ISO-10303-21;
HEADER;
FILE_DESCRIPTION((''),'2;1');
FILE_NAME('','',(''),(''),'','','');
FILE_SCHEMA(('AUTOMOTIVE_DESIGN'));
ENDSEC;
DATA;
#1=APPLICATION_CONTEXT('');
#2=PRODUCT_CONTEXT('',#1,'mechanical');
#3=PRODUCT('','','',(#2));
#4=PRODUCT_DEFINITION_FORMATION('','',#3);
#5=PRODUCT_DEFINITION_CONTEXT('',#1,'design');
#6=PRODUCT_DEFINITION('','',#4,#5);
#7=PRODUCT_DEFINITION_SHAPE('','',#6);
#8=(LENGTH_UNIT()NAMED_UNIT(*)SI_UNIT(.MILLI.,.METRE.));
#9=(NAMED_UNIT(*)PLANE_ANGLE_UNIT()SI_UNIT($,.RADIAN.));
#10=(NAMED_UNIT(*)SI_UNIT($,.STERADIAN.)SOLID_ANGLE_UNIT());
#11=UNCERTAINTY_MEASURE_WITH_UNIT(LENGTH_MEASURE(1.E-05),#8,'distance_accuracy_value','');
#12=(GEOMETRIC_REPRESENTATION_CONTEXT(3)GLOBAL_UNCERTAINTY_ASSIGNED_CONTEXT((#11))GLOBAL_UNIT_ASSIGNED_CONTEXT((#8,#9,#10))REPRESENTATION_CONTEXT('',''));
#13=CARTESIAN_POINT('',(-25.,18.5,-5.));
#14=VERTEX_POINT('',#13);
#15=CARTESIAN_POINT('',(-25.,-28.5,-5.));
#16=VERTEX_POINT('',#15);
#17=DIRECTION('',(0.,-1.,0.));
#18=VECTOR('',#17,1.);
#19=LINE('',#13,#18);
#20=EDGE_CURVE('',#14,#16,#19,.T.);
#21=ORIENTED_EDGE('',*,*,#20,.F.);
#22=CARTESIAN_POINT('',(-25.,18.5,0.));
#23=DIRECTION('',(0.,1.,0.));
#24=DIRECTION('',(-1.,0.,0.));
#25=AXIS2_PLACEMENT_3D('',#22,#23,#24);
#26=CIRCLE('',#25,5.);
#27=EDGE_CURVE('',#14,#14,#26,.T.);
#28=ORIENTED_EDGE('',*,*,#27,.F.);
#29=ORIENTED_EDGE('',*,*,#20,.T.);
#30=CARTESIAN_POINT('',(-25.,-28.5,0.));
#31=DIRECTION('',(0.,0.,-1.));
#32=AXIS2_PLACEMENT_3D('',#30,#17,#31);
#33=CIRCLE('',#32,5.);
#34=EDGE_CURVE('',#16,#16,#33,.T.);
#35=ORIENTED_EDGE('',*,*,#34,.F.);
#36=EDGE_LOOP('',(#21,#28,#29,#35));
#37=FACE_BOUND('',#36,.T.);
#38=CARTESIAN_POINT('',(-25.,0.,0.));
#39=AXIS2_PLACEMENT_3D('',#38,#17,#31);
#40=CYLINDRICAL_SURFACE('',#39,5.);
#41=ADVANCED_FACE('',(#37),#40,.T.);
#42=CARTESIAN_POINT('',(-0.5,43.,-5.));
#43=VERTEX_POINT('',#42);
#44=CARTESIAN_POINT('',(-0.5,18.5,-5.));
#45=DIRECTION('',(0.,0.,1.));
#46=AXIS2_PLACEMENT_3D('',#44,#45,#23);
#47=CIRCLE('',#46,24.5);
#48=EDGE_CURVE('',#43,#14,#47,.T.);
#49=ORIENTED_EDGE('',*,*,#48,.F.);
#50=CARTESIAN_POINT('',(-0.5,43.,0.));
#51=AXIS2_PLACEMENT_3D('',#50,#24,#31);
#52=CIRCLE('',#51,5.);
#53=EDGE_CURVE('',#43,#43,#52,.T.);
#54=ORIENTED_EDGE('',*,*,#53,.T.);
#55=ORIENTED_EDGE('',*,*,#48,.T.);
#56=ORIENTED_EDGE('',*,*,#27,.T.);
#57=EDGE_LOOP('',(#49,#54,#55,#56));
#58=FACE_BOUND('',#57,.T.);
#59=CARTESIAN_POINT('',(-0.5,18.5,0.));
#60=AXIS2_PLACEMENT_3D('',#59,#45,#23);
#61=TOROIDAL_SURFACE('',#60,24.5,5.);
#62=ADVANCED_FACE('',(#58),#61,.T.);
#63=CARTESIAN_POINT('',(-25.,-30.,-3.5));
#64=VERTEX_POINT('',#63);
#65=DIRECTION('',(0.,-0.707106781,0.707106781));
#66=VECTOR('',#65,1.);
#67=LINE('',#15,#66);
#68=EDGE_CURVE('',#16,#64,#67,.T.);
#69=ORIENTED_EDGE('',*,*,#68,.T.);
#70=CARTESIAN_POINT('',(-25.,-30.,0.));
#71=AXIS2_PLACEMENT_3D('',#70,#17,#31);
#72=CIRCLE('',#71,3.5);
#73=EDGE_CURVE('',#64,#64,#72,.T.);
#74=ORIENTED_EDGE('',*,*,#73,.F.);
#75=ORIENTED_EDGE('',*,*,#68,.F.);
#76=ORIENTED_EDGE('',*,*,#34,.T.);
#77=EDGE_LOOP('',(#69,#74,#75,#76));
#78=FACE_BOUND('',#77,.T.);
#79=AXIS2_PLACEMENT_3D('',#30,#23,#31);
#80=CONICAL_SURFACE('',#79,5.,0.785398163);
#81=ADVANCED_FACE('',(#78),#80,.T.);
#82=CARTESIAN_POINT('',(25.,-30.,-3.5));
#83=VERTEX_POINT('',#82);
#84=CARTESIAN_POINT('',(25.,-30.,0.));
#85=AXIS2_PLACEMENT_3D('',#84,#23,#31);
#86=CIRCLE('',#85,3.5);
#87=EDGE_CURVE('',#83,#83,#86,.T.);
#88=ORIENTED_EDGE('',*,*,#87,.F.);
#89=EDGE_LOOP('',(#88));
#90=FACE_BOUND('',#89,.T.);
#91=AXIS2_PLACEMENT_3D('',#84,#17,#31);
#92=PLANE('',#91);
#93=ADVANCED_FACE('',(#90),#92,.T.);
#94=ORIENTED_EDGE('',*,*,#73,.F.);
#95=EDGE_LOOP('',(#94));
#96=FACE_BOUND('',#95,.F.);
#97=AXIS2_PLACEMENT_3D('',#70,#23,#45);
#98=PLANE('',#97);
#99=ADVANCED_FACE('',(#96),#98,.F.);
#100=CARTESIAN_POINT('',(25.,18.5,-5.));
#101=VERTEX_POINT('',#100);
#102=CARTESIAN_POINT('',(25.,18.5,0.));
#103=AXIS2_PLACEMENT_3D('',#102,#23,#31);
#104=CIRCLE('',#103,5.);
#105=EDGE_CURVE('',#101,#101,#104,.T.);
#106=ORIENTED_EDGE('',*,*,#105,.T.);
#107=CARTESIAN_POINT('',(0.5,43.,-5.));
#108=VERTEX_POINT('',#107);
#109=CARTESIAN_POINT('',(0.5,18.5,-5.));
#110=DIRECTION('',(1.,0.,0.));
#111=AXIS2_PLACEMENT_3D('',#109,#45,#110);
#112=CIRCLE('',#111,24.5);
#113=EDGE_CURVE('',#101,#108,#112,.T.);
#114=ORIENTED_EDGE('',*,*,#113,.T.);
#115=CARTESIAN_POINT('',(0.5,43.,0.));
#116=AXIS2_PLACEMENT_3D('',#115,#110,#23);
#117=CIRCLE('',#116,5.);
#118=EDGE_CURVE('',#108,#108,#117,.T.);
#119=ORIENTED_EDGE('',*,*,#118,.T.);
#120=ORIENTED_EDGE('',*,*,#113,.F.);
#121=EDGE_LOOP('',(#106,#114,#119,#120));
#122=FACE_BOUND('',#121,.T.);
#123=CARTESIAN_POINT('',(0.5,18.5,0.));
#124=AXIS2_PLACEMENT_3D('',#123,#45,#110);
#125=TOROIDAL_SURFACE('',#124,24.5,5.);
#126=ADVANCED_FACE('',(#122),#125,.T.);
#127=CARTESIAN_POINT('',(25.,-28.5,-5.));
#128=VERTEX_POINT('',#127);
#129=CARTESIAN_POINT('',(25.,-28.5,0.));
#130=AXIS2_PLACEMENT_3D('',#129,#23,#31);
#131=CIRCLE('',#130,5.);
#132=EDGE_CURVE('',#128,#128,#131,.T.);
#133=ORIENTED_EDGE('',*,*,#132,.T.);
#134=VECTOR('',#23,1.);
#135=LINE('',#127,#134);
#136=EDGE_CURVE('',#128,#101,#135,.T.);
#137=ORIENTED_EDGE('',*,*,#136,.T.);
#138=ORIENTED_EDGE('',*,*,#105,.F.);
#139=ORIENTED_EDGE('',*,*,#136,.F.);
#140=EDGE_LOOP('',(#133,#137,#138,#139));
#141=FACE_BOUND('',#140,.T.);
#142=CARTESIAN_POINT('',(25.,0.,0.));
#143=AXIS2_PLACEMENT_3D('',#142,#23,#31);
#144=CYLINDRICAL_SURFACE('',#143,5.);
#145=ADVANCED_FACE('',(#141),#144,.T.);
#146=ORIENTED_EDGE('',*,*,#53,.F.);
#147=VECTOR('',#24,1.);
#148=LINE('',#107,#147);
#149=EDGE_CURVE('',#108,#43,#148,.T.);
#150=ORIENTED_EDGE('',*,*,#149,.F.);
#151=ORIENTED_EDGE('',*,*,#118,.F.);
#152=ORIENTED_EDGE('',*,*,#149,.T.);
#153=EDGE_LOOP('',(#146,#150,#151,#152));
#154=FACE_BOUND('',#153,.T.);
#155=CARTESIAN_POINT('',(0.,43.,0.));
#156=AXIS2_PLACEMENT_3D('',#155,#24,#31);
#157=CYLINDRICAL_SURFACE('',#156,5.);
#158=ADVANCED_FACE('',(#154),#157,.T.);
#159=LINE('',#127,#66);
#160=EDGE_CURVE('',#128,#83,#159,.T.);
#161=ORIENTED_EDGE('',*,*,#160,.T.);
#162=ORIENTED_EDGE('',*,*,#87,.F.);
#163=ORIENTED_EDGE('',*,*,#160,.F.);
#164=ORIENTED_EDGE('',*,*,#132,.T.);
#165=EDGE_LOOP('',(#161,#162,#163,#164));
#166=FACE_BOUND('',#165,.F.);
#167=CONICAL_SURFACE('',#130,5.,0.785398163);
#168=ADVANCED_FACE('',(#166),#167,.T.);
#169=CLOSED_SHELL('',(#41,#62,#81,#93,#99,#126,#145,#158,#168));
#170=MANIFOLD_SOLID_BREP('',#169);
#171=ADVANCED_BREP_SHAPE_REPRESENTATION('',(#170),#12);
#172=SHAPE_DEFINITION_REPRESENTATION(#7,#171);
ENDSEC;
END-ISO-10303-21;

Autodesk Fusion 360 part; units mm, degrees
sketch "Sketch1" plane through (0, 0, 0) normal (0, 0, 1) x (1, 0, 0)
  line L0 (0, 0) -> (60, 0) construction
  line L1 (0, 0) -> (-60, 0) construction
  line L2 (0, 0) -> (0, 60) construction
  line L3 (0, 0) -> (0, -100) construction
  circle A0 centre (0, 19) radius 19 construction
  circle A1 centre (0, 19) radius 24 construction
  line L4 (-25, 0) -> (-25, -30)
  line L5 (25, 0) -> (25, -30)
  line L6 (0, 43) -> (-0.5, 43)
  line L7 (-25, 0) -> (-25, 18.5)
  arc A2 (-0.5, 43) -> (-25, 18.5) centre (-0.5, 18.5) ccw
  line L8 (25, 0) -> (25, 18.5)
  arc A3 (25, 18.5) -> (0.5, 43) centre (0.5, 18.5) ccw
  line L9 (0, 43) -> (0.5, 43)
  line L10 (0, -30) -> (-60, -30) construction
  line L11 (0, -30) -> (60, -30) construction
  dimension "d5" = 38
  dimension "d6" = 5
  dimension "d9" = 24.5
  dimension "d17" = 30
sketch "Sketch2" plane through (0, 0, 0) normal (1, 0, 0) x (0, 0, -1)
  circle A0 centre (0, 43) radius 5
  point P0 (0, 43)
  dimension "d10" = 10
sweep "Sweep1" add profiles "Sketch2" path "Sketch1" along L4 L7 A2 L6 L9 A3 L8 L5 section 1
chamfer "Chamfer1" distance 1.5 angle 45 2 edges at (23.1919, -30, 4.6616) (-26.8081, -30, 4.6616)
thread "Thread1"
thread "Thread2"
